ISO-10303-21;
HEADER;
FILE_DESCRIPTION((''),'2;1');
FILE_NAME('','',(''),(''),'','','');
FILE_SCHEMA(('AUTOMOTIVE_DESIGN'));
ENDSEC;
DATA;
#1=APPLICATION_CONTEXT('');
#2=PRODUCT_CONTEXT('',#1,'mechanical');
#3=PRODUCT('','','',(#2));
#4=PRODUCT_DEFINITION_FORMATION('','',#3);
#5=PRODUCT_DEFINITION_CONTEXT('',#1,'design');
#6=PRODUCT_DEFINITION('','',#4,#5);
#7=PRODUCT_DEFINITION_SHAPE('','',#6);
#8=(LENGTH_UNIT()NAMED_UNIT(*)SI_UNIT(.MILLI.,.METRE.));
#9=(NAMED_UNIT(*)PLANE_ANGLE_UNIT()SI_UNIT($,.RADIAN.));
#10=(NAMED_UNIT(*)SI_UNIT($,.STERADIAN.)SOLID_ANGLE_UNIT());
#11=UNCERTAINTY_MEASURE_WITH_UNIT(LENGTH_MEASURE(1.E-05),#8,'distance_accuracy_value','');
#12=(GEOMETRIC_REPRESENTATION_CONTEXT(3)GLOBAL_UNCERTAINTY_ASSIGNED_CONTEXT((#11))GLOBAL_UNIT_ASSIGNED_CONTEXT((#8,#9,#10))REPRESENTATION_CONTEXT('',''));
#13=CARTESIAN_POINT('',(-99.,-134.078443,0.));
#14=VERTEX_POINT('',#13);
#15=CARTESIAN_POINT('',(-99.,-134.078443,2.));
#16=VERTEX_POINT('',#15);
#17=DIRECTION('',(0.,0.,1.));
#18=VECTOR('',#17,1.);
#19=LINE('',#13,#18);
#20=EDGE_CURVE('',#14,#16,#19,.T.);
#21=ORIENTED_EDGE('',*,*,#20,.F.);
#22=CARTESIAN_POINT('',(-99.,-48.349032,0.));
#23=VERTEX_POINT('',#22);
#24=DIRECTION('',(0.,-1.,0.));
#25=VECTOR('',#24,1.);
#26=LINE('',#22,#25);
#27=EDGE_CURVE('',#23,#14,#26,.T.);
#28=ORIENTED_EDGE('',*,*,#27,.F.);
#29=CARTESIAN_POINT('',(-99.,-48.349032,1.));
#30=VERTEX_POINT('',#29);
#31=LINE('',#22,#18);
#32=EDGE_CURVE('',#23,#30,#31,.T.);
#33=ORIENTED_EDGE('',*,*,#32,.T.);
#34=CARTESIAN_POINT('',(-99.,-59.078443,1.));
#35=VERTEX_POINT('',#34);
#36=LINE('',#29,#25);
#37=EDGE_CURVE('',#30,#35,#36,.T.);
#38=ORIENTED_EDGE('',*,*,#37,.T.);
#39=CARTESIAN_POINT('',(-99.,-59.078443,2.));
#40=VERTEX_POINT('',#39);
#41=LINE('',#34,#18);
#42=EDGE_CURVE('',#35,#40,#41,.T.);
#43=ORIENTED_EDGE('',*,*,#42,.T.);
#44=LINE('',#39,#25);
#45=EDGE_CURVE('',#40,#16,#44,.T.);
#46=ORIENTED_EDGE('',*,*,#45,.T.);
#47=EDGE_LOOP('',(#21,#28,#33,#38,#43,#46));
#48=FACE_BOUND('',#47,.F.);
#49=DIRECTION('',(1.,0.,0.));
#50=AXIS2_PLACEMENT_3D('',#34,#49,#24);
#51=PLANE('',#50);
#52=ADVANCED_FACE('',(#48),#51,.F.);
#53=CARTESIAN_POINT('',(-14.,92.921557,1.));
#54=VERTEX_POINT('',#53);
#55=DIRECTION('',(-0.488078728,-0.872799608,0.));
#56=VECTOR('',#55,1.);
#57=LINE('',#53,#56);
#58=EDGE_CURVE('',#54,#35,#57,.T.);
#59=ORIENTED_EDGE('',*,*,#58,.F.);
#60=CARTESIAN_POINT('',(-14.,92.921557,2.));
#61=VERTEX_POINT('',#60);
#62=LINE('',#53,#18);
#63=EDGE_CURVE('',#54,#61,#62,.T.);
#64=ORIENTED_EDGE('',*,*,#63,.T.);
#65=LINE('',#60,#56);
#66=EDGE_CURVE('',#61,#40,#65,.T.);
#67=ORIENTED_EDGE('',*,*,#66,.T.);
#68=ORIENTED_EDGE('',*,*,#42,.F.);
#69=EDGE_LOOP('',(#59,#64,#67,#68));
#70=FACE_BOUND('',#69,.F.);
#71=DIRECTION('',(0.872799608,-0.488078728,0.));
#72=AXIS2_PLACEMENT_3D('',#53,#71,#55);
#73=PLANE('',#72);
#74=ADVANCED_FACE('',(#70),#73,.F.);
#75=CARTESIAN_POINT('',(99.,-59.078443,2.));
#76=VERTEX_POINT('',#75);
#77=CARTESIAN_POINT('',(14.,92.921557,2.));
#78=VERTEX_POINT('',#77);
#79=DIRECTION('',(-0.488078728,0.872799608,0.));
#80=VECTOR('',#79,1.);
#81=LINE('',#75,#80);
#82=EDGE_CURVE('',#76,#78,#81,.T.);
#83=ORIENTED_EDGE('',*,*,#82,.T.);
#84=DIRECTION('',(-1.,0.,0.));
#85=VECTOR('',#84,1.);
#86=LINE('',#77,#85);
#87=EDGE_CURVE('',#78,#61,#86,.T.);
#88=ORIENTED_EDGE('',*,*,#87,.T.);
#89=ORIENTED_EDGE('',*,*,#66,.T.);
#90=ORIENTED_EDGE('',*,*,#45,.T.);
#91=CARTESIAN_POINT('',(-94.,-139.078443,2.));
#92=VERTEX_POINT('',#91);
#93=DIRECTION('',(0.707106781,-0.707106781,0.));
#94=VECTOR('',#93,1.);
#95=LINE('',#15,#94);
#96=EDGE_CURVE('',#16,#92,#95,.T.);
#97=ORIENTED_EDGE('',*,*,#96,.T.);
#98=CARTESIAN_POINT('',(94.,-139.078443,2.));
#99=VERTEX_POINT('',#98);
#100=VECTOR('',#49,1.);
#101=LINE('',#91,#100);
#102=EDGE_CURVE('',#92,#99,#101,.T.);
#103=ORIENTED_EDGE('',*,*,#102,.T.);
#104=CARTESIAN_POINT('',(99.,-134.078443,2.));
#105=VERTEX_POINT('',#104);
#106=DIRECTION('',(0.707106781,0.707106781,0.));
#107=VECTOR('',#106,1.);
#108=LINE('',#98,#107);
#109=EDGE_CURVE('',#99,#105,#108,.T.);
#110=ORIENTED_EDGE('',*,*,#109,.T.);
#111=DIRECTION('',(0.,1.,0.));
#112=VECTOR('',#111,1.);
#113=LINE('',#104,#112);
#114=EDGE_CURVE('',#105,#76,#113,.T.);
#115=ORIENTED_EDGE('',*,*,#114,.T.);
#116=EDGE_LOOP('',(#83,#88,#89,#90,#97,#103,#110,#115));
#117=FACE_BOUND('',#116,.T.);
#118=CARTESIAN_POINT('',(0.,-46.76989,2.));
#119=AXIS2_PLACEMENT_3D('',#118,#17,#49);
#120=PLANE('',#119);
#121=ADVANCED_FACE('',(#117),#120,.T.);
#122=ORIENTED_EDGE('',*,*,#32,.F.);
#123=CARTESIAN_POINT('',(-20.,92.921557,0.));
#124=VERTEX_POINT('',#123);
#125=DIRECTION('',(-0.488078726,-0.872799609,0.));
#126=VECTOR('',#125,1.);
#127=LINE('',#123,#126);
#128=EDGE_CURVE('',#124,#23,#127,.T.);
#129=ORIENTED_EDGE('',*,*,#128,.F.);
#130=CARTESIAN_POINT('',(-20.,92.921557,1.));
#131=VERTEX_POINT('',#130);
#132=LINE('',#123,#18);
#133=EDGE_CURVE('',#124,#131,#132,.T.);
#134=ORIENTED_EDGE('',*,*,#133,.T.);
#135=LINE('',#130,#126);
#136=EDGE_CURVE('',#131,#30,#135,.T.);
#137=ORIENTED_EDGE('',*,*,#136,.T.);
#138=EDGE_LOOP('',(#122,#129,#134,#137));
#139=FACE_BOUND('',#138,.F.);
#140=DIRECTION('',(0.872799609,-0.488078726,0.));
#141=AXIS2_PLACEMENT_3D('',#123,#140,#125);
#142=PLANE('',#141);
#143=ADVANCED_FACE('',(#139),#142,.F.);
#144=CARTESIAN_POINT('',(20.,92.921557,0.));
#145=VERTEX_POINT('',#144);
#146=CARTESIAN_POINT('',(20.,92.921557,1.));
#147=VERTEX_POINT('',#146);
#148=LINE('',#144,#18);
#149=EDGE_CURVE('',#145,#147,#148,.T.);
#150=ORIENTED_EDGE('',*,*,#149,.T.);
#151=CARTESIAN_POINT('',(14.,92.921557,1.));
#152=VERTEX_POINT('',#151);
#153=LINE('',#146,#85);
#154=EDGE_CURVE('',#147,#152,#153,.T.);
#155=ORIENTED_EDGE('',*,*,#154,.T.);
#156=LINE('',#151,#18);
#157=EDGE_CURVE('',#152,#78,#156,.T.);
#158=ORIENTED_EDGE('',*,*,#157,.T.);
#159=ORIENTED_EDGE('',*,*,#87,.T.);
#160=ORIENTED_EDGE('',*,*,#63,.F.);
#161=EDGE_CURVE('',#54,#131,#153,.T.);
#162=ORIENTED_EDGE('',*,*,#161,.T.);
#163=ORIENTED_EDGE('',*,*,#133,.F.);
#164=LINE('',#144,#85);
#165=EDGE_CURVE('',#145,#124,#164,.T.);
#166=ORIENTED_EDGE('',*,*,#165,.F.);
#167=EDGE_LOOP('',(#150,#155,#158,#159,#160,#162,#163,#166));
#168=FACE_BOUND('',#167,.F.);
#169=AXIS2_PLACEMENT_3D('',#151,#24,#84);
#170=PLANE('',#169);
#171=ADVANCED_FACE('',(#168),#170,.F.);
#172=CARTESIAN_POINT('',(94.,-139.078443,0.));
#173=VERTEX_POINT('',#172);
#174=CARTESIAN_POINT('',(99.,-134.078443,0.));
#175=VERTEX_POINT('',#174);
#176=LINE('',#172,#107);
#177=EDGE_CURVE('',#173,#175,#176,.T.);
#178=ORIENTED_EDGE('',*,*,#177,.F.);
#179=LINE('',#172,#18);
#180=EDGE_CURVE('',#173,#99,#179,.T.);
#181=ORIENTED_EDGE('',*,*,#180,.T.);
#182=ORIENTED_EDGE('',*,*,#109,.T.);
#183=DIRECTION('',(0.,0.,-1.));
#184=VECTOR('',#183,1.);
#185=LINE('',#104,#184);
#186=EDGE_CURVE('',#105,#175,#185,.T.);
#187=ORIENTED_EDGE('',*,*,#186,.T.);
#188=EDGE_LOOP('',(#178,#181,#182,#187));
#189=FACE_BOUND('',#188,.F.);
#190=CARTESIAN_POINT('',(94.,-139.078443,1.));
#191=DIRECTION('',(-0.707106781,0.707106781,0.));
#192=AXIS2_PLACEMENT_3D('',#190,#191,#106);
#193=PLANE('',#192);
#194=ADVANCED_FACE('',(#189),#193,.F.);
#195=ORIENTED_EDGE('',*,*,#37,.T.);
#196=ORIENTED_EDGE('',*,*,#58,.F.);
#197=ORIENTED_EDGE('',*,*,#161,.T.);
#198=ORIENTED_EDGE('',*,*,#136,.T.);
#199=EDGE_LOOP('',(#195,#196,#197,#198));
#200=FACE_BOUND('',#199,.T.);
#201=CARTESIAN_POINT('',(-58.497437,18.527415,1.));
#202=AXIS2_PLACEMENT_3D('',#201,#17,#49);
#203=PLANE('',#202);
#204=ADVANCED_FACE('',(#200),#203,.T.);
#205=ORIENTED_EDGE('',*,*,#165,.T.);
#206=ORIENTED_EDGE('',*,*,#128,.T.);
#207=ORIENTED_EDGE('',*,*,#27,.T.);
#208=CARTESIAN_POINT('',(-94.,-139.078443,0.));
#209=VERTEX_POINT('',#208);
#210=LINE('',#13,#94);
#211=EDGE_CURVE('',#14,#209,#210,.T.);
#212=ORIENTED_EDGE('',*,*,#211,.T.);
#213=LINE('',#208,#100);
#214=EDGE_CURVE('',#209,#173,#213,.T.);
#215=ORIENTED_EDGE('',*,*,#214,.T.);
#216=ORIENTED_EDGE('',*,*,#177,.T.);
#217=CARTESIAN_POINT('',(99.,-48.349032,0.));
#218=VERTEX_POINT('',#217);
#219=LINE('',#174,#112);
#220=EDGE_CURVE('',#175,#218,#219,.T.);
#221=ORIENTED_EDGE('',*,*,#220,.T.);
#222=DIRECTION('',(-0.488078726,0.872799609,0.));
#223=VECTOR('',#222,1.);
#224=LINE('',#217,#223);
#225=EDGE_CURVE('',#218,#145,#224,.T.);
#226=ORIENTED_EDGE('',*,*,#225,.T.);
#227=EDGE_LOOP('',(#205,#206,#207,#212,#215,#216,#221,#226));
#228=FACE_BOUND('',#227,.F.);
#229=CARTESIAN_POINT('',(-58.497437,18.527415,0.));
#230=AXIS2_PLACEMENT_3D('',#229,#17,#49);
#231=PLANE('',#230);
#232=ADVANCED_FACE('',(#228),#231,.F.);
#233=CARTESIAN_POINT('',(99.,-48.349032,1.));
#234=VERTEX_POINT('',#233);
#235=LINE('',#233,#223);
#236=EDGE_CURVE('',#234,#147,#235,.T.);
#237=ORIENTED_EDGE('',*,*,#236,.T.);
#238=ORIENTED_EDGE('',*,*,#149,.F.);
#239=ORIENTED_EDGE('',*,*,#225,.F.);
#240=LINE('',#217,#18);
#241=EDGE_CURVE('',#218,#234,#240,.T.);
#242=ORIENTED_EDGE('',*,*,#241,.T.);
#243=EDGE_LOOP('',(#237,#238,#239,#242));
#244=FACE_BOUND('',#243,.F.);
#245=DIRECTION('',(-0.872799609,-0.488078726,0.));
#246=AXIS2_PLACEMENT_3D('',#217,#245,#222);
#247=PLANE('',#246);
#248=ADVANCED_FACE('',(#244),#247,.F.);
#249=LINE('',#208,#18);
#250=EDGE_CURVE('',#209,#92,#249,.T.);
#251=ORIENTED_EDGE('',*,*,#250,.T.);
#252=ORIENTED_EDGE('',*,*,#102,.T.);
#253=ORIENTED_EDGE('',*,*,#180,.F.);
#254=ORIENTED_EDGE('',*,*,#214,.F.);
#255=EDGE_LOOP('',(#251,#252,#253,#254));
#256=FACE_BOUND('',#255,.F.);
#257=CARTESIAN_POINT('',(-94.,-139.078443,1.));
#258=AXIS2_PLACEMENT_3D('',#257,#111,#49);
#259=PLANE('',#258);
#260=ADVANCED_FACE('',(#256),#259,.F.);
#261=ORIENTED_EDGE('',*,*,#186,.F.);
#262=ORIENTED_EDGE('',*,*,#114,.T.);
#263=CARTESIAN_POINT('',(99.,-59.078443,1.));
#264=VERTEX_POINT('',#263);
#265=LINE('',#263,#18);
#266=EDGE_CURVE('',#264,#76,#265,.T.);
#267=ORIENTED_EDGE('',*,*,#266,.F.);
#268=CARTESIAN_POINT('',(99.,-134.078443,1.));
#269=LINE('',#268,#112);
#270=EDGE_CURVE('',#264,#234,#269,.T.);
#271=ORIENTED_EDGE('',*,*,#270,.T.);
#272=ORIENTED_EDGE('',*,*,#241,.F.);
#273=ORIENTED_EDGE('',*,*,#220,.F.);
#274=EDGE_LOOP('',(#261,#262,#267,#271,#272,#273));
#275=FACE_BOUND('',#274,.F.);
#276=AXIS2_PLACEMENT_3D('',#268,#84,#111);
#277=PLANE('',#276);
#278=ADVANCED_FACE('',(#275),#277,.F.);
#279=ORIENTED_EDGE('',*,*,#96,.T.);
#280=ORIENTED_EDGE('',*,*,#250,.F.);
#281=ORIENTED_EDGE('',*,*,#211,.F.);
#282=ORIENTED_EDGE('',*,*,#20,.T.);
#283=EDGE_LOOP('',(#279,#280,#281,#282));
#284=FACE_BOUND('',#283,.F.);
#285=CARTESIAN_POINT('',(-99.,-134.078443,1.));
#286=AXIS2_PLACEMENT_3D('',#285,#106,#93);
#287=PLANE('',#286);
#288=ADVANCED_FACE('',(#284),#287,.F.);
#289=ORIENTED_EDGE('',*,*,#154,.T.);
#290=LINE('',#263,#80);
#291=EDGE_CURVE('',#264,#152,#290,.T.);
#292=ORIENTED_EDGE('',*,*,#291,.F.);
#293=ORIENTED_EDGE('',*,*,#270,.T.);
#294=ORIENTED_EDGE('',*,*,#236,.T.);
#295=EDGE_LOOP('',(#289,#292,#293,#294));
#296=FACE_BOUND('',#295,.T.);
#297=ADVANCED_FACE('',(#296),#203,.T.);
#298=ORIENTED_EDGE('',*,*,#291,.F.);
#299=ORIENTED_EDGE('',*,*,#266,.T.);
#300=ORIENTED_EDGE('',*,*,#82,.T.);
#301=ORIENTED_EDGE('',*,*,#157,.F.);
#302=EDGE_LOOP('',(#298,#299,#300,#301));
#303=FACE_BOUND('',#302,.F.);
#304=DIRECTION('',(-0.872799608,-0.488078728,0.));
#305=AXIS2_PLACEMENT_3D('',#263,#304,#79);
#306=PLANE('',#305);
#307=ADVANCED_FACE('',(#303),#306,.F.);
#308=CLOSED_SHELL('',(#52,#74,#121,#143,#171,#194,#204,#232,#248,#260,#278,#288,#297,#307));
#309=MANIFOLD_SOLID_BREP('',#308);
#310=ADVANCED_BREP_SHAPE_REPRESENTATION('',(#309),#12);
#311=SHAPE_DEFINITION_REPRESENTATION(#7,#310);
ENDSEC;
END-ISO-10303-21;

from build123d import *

# Parameters (mm, degrees)
F1_DEPTH = 1
F3_DEPTH = 1


with BuildPart() as f1:
    # F0 (on Top) → F1 (new body)
    with BuildSketch(Plane.XY):
        Polygon((-14, 92.921557), (-20, 92.921557), (-99, -48.349032), (-99, -59.078443), align=None)
        Polygon((0, 92.921557), (-14, 92.921557), (-99, -59.078443), (0, -59.078443), align=None)
        Polygon((14, 92.921557), (0, 92.921557), (0, -59.078443), (99, -59.078443), align=None)
        Polygon((20, 92.921557), (14, 92.921557), (99, -59.078443), (99, -48.349032), align=None)
        Polygon((99, -59.078443), (0, -59.078443), (0, -139.078443), (94, -139.078443), (99, -134.078443), align=None)
        Polygon((0, -59.078443), (-99, -59.078443), (-99, -134.078443), (-94, -139.078443), (0, -139.078443), align=None)
    extrude(amount=F1_DEPTH)

    # F2 (on face) → F3 (join)
    with BuildSketch(Plane.XY.offset(1)):
        Polygon((14, 92.921557), (-14, 92.921557), (-99, -59.078443), (-99, -134.078443), (-94, -139.078443), (94, -139.078443), (99, -134.078443), (99, -59.078443), align=None)
    extrude(amount=F3_DEPTH)


solid = f1.part
